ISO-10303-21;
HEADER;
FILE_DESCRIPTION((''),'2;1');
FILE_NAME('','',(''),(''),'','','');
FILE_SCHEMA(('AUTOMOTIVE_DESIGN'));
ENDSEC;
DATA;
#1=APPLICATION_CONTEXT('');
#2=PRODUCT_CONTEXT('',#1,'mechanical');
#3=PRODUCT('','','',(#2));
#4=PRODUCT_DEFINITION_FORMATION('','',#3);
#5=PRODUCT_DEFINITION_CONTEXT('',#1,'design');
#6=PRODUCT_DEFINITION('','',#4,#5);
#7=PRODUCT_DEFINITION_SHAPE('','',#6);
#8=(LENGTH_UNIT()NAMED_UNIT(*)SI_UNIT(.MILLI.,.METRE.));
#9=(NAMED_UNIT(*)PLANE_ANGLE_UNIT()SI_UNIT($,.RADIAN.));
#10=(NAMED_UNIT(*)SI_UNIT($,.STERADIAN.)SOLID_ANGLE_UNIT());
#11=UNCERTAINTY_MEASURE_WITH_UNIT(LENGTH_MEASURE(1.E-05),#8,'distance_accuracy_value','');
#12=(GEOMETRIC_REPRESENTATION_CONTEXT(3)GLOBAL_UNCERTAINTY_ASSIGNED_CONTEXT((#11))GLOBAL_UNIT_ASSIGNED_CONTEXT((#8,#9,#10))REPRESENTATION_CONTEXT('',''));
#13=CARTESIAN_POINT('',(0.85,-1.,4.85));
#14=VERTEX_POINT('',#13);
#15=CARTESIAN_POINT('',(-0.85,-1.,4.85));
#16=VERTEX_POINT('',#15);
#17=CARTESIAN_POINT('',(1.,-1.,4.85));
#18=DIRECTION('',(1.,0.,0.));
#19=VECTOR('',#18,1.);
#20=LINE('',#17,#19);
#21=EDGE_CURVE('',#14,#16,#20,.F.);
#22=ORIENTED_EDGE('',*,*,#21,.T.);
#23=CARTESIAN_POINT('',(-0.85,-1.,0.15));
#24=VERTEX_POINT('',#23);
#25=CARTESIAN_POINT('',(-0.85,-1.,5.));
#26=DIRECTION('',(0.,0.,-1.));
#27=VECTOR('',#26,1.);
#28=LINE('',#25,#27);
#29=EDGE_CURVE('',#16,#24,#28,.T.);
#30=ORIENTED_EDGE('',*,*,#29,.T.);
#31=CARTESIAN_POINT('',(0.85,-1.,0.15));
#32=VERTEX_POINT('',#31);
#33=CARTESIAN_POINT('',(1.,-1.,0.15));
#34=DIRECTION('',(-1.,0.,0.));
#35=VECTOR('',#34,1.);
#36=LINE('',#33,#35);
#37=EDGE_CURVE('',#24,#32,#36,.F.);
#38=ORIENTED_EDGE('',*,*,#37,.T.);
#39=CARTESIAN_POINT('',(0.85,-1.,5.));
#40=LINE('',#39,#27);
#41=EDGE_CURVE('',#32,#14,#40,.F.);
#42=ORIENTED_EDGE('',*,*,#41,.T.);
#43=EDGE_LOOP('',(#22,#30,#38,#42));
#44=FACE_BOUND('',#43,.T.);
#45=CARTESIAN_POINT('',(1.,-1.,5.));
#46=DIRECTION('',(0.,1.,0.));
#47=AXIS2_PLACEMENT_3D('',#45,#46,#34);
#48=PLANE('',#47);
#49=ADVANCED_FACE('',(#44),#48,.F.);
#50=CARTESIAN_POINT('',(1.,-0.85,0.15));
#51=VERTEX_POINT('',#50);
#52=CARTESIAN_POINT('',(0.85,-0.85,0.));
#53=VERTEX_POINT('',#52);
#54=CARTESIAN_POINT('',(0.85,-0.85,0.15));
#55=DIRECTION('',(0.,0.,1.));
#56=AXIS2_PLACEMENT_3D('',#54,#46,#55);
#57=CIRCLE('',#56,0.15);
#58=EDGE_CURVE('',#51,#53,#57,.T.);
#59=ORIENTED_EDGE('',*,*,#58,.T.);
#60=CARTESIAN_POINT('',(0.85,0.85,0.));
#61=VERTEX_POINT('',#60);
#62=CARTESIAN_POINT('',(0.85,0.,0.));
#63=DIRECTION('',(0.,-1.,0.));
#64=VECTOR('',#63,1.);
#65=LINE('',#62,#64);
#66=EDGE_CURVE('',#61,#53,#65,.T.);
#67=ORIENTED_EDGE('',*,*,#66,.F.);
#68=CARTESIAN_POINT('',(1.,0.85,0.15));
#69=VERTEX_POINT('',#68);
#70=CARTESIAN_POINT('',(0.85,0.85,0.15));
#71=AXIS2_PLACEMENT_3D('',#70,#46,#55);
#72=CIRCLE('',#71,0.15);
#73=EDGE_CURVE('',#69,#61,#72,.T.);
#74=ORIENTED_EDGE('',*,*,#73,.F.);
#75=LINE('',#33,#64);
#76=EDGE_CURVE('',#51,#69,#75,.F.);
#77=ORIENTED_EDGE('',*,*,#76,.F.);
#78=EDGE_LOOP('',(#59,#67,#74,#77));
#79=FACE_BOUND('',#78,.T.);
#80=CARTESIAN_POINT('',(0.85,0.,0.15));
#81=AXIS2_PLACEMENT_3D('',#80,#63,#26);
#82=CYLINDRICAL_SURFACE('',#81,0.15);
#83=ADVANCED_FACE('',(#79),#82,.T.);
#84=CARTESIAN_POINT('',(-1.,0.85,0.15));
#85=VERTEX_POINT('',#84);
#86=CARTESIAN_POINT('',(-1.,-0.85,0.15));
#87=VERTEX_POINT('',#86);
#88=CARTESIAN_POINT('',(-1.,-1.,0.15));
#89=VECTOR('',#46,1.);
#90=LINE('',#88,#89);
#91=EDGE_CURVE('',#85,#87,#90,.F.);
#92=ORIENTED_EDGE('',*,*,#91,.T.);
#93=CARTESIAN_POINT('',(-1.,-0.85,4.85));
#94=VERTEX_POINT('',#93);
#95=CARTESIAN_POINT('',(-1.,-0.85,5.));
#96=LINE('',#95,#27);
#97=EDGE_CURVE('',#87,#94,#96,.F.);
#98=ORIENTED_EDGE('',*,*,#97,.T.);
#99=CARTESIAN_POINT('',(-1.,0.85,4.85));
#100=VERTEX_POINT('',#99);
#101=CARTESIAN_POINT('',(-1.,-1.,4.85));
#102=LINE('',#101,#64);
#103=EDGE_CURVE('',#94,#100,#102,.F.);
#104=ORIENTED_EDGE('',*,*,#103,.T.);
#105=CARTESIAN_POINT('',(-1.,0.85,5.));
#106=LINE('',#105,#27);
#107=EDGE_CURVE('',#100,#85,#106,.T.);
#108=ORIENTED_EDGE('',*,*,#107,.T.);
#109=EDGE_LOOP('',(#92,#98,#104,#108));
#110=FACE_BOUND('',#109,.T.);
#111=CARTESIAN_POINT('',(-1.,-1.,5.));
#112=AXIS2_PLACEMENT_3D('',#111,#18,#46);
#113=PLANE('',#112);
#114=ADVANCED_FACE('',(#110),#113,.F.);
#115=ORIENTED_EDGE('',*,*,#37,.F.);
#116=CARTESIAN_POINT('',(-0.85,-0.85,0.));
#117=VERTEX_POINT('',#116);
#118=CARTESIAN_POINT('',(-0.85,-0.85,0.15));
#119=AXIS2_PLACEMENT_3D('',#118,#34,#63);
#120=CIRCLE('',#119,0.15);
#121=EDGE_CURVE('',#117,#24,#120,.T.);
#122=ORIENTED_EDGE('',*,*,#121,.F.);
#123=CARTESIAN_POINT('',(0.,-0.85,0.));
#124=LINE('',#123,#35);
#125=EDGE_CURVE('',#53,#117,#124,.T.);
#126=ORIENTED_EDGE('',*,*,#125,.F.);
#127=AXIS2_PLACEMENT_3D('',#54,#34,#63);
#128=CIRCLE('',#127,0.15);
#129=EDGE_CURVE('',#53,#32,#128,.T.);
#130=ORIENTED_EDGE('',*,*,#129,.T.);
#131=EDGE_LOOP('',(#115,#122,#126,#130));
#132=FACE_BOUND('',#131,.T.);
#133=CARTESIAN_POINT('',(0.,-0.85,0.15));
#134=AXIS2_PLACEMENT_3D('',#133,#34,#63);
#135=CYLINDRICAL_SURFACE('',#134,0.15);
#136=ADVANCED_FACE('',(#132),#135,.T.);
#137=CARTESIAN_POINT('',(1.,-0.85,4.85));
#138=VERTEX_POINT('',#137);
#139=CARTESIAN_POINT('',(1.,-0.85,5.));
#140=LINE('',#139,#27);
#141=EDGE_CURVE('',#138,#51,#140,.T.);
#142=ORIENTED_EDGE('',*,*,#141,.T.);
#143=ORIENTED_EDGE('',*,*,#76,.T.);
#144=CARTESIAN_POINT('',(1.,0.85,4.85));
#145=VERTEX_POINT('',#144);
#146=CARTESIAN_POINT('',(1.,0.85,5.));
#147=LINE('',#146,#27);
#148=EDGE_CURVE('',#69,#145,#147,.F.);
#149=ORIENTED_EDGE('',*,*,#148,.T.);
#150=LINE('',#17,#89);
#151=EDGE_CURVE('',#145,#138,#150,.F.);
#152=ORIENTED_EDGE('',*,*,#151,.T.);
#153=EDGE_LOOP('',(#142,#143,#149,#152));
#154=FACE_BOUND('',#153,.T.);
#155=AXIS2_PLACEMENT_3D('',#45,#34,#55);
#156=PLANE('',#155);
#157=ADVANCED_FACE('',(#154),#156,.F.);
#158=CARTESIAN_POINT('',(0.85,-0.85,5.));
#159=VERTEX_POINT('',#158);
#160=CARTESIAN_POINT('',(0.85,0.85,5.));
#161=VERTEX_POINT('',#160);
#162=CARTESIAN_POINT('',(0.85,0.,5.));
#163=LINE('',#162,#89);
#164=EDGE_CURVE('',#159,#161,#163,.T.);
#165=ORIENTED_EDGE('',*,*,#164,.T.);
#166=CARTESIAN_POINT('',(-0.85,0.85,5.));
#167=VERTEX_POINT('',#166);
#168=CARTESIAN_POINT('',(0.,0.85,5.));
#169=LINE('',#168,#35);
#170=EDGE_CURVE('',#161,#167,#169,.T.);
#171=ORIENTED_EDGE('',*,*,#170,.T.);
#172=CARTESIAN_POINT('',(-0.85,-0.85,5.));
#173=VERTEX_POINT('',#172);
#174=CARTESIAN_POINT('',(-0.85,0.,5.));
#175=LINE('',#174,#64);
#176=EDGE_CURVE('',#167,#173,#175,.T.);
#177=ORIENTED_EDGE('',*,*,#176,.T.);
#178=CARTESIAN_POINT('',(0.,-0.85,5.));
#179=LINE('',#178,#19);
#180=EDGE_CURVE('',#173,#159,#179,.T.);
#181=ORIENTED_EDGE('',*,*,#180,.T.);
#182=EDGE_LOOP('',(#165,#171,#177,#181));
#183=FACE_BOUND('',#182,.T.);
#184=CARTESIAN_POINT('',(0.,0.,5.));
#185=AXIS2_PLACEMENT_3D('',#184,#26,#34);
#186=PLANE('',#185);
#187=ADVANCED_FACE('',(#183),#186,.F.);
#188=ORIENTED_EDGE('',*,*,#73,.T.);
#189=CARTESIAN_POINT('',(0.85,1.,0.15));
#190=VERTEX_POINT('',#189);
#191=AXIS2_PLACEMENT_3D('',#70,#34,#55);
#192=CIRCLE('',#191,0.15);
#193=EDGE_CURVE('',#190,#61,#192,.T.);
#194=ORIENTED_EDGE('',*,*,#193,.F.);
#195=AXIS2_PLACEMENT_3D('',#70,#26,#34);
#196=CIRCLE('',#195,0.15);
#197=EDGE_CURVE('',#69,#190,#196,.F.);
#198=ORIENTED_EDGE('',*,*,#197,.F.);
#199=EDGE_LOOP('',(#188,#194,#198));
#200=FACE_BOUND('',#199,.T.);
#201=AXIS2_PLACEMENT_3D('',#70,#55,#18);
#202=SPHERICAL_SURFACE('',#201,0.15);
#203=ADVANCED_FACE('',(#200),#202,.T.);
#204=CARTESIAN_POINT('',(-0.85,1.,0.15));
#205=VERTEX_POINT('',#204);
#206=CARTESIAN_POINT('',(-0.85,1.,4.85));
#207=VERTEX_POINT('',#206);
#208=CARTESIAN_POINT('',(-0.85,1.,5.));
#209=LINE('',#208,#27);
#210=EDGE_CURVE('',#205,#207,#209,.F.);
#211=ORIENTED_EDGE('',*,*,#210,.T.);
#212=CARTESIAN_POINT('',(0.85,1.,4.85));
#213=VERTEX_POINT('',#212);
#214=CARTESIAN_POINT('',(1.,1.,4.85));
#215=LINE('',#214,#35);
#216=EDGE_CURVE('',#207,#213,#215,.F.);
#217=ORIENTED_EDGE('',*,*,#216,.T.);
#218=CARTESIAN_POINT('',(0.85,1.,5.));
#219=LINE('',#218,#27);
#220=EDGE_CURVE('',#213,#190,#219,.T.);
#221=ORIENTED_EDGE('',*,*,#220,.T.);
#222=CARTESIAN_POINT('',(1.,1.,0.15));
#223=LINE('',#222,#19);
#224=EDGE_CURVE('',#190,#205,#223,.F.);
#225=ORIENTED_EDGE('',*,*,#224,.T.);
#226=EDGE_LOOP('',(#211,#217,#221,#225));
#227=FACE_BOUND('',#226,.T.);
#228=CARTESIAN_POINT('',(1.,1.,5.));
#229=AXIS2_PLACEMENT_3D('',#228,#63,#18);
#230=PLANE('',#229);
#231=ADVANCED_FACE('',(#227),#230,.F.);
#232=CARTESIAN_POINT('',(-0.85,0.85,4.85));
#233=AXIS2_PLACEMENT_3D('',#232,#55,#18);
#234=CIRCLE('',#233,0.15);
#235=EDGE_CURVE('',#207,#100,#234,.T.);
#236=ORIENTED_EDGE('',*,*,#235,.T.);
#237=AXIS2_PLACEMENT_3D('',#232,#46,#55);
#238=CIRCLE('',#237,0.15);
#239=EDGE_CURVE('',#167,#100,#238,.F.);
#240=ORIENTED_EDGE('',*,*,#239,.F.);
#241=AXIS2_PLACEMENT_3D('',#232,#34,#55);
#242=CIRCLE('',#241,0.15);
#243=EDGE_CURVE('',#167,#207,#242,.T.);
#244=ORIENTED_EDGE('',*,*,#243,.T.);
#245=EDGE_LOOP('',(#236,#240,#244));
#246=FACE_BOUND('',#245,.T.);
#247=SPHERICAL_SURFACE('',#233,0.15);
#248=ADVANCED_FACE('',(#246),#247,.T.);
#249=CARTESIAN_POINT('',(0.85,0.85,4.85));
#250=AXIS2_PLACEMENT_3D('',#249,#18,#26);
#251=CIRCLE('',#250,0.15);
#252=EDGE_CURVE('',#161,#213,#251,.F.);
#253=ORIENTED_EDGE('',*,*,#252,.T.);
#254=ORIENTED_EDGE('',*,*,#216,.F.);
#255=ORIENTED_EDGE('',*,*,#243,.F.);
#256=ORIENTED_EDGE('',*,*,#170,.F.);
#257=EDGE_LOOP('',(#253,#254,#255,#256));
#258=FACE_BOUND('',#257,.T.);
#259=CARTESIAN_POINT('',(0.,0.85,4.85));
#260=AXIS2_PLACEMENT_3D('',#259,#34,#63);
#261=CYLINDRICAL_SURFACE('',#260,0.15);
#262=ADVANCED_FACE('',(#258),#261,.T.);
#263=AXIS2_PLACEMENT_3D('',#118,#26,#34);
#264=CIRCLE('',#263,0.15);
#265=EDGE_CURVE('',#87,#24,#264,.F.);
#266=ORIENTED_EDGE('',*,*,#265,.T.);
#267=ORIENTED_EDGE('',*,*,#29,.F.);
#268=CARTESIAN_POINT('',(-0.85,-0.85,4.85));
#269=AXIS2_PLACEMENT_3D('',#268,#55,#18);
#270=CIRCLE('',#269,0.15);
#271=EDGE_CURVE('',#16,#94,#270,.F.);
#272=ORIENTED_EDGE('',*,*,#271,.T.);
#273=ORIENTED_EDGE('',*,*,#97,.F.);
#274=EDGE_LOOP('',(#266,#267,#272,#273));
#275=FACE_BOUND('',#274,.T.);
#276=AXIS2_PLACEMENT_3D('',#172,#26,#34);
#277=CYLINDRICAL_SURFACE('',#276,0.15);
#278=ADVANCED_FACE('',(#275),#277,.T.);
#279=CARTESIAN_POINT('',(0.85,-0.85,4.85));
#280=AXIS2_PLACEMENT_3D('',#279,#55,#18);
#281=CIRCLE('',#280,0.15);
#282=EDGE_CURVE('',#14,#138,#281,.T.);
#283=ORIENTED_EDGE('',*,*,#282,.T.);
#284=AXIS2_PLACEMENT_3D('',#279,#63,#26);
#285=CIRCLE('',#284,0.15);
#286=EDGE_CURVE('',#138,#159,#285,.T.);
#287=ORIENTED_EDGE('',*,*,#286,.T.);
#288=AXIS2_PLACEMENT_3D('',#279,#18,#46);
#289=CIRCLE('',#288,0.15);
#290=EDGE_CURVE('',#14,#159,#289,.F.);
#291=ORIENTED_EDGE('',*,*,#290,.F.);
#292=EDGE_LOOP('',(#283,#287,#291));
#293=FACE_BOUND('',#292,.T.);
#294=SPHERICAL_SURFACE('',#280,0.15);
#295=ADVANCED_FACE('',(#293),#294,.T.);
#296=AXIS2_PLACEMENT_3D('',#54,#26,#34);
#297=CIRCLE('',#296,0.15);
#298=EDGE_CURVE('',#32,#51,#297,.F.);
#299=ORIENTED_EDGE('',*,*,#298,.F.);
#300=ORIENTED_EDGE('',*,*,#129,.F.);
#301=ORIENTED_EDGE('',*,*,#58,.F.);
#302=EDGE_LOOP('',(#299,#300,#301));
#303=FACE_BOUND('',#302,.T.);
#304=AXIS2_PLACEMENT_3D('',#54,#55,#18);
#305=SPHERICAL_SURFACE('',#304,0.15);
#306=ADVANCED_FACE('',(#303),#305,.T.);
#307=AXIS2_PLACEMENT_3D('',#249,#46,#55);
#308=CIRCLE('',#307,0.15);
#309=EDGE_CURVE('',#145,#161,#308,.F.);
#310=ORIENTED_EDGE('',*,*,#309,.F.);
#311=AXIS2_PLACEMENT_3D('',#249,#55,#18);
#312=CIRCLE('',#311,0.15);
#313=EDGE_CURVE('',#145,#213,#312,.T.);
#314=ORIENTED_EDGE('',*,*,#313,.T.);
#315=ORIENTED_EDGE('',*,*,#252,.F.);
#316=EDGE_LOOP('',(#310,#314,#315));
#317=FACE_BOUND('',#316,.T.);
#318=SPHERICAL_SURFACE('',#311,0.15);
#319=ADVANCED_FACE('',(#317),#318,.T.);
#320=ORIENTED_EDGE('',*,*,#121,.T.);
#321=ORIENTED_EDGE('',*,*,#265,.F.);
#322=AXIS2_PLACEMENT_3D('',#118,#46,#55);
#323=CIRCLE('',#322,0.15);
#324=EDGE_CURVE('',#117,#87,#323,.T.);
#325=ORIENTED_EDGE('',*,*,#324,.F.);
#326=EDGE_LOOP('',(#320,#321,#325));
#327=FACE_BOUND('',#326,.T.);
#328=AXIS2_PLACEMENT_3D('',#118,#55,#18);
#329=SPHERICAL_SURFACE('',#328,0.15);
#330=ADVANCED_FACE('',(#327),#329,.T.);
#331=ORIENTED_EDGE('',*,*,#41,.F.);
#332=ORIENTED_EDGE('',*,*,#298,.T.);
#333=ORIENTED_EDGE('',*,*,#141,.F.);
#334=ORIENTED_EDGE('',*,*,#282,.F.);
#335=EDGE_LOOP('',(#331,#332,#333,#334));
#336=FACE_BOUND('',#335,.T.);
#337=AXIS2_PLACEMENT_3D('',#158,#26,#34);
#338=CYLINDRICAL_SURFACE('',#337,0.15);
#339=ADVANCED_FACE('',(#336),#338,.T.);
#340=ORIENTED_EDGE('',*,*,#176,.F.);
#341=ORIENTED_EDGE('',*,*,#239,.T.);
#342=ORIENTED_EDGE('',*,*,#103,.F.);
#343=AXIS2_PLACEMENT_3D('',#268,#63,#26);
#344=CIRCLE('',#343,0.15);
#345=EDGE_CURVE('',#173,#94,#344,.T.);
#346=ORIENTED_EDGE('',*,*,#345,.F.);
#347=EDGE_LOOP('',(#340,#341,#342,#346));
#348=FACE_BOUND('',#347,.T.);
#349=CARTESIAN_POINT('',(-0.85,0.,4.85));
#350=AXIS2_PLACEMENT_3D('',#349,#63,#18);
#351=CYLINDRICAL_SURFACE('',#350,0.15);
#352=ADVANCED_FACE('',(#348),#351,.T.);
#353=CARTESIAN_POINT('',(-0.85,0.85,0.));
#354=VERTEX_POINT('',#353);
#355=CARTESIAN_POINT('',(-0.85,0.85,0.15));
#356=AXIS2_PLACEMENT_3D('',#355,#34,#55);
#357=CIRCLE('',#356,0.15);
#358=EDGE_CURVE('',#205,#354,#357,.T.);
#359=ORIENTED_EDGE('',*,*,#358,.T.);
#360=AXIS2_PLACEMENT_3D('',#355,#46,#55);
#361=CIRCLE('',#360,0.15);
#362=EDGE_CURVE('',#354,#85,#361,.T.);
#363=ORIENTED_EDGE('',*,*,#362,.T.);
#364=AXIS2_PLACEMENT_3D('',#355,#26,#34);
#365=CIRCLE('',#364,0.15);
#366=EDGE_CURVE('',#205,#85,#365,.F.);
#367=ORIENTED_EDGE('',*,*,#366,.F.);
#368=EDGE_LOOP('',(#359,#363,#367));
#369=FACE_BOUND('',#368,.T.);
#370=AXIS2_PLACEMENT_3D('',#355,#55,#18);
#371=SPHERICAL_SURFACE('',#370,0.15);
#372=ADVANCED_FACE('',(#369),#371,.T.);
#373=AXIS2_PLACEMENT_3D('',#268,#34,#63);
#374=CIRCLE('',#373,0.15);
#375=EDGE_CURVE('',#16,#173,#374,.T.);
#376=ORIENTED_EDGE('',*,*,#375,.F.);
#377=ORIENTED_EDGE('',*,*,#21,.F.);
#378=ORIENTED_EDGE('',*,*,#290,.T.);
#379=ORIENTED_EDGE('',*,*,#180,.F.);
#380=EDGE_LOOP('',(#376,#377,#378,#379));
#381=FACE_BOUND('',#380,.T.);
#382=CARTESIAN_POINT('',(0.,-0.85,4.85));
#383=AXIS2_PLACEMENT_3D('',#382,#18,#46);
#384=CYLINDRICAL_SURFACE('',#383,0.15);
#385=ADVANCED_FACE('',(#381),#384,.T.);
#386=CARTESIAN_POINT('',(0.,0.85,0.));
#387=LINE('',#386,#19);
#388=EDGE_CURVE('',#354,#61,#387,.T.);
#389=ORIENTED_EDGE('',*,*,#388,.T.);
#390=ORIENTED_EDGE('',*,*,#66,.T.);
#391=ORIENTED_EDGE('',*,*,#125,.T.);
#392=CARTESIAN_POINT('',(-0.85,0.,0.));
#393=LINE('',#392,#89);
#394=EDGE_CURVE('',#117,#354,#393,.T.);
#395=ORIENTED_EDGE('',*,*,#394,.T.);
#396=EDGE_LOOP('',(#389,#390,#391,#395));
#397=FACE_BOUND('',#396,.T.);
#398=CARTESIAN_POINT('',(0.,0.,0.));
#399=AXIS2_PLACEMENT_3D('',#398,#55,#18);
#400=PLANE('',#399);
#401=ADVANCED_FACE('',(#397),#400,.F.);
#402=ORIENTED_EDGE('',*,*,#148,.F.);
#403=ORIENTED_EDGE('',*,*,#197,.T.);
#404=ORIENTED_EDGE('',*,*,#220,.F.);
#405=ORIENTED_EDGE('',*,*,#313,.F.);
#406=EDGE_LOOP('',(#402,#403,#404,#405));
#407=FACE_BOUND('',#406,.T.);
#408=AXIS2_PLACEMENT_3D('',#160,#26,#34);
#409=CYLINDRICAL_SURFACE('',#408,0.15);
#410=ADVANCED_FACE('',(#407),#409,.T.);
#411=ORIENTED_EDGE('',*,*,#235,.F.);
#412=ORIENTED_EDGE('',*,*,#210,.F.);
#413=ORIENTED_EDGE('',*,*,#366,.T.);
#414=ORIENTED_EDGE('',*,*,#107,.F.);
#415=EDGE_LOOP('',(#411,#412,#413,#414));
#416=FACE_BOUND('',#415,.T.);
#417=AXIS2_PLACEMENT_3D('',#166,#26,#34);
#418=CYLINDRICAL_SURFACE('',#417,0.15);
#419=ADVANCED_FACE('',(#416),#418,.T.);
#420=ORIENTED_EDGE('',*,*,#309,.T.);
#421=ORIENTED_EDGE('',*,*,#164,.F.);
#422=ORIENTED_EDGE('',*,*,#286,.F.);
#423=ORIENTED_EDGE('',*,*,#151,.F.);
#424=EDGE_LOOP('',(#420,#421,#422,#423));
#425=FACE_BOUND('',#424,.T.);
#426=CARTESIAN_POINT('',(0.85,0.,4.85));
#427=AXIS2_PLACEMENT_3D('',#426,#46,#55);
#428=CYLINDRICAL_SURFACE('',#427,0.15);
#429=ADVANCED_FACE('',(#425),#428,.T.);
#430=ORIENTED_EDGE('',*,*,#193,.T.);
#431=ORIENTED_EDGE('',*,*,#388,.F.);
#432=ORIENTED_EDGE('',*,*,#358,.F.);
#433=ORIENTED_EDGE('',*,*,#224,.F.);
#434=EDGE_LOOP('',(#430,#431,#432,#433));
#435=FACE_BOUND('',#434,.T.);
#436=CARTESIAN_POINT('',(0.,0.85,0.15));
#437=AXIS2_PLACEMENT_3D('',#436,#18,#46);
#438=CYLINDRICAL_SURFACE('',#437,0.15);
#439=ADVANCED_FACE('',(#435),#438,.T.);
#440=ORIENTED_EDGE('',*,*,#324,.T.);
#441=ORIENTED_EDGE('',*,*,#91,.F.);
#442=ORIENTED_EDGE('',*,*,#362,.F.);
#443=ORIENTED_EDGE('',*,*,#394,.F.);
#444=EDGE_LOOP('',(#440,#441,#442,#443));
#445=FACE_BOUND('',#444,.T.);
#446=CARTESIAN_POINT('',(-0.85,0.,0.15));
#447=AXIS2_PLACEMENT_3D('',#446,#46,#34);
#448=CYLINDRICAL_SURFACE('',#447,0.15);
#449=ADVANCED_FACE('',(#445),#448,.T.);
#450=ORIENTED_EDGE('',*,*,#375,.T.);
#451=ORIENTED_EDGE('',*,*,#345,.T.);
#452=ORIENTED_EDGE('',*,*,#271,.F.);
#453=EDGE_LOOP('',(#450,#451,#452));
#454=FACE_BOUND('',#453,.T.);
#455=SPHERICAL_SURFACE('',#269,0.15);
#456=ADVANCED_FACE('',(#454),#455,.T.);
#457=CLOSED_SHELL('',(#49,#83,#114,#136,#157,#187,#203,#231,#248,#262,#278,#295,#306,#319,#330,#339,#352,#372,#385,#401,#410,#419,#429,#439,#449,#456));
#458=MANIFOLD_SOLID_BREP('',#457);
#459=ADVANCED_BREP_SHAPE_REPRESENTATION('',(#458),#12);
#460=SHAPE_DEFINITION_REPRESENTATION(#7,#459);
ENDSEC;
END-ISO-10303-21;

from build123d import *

# Parameters (mm, degrees)
BOSS_EXTRUDE1_DEPTH      = 5
BOSS_EXTRUDE1_DEPTH_BACK = 5
SKETCH3_W                = 2
SKETCH3_H                = 2
FILLET2_R                = 0.15
SKETCH4_W                = 2
SKETCH4_H                = 2
CUT_EXTRUDE1_DEPTH       = 5
FILLET3_R                = 0.15


with BuildPart() as part:
    # Sketch3 → Boss-Extrude1 (new, two sides: drawn at the far end of the back side and taken through both)
    with BuildSketch(Plane.XY.offset(-BOSS_EXTRUDE1_DEPTH_BACK)):
        Rectangle(SKETCH3_W, SKETCH3_H)
    extrude(amount=BOSS_EXTRUDE1_DEPTH + BOSS_EXTRUDE1_DEPTH_BACK)

    # Fillet2
    fillet2_edges = [part.edges().sort_by_distance(p)[0] for p in [
        (0, 1, 5),
        (0, -1, -5),
        (-1, 0, -5),
        (0, 1, -5),
        (1, 0, -5),
        (-1, 0, 5),
        (0, -1, 5),
        (1, 0, 5),
        (-1, -1, 0),
        (-1, 1, 0),
        (1, 1, 0),
        (1, -1, 0),
    ]]
    fillet(fillet2_edges, radius=FILLET2_R)

    # Sketch4 → Cut-Extrude1 (cut)
    with BuildSketch(Plane(origin=(0, 0, -5), x_dir=(-1, 0, 0), z_dir=(0, 0, -1))):
        Rectangle(SKETCH4_W, SKETCH4_H)
    extrude(amount=-CUT_EXTRUDE1_DEPTH, mode=Mode.SUBTRACT)

    # Fillet3
    fillet3_edges = [part.edges().sort_by_distance(p)[0] for p in [
        (1, 0, 0),
        (0, -1, 0),
        (0.956066017, 0.956066017, 0),
        (0.956066017, -0.956066017, 0),
        (-0.956066017, 0.956066017, 0),
        (-1, 0, 0),
        (0, 1, 0),
        (-0.956066017, -0.956066017, 0),
    ]]
    fillet(fillet3_edges, radius=FILLET3_R)


solid = part.part
